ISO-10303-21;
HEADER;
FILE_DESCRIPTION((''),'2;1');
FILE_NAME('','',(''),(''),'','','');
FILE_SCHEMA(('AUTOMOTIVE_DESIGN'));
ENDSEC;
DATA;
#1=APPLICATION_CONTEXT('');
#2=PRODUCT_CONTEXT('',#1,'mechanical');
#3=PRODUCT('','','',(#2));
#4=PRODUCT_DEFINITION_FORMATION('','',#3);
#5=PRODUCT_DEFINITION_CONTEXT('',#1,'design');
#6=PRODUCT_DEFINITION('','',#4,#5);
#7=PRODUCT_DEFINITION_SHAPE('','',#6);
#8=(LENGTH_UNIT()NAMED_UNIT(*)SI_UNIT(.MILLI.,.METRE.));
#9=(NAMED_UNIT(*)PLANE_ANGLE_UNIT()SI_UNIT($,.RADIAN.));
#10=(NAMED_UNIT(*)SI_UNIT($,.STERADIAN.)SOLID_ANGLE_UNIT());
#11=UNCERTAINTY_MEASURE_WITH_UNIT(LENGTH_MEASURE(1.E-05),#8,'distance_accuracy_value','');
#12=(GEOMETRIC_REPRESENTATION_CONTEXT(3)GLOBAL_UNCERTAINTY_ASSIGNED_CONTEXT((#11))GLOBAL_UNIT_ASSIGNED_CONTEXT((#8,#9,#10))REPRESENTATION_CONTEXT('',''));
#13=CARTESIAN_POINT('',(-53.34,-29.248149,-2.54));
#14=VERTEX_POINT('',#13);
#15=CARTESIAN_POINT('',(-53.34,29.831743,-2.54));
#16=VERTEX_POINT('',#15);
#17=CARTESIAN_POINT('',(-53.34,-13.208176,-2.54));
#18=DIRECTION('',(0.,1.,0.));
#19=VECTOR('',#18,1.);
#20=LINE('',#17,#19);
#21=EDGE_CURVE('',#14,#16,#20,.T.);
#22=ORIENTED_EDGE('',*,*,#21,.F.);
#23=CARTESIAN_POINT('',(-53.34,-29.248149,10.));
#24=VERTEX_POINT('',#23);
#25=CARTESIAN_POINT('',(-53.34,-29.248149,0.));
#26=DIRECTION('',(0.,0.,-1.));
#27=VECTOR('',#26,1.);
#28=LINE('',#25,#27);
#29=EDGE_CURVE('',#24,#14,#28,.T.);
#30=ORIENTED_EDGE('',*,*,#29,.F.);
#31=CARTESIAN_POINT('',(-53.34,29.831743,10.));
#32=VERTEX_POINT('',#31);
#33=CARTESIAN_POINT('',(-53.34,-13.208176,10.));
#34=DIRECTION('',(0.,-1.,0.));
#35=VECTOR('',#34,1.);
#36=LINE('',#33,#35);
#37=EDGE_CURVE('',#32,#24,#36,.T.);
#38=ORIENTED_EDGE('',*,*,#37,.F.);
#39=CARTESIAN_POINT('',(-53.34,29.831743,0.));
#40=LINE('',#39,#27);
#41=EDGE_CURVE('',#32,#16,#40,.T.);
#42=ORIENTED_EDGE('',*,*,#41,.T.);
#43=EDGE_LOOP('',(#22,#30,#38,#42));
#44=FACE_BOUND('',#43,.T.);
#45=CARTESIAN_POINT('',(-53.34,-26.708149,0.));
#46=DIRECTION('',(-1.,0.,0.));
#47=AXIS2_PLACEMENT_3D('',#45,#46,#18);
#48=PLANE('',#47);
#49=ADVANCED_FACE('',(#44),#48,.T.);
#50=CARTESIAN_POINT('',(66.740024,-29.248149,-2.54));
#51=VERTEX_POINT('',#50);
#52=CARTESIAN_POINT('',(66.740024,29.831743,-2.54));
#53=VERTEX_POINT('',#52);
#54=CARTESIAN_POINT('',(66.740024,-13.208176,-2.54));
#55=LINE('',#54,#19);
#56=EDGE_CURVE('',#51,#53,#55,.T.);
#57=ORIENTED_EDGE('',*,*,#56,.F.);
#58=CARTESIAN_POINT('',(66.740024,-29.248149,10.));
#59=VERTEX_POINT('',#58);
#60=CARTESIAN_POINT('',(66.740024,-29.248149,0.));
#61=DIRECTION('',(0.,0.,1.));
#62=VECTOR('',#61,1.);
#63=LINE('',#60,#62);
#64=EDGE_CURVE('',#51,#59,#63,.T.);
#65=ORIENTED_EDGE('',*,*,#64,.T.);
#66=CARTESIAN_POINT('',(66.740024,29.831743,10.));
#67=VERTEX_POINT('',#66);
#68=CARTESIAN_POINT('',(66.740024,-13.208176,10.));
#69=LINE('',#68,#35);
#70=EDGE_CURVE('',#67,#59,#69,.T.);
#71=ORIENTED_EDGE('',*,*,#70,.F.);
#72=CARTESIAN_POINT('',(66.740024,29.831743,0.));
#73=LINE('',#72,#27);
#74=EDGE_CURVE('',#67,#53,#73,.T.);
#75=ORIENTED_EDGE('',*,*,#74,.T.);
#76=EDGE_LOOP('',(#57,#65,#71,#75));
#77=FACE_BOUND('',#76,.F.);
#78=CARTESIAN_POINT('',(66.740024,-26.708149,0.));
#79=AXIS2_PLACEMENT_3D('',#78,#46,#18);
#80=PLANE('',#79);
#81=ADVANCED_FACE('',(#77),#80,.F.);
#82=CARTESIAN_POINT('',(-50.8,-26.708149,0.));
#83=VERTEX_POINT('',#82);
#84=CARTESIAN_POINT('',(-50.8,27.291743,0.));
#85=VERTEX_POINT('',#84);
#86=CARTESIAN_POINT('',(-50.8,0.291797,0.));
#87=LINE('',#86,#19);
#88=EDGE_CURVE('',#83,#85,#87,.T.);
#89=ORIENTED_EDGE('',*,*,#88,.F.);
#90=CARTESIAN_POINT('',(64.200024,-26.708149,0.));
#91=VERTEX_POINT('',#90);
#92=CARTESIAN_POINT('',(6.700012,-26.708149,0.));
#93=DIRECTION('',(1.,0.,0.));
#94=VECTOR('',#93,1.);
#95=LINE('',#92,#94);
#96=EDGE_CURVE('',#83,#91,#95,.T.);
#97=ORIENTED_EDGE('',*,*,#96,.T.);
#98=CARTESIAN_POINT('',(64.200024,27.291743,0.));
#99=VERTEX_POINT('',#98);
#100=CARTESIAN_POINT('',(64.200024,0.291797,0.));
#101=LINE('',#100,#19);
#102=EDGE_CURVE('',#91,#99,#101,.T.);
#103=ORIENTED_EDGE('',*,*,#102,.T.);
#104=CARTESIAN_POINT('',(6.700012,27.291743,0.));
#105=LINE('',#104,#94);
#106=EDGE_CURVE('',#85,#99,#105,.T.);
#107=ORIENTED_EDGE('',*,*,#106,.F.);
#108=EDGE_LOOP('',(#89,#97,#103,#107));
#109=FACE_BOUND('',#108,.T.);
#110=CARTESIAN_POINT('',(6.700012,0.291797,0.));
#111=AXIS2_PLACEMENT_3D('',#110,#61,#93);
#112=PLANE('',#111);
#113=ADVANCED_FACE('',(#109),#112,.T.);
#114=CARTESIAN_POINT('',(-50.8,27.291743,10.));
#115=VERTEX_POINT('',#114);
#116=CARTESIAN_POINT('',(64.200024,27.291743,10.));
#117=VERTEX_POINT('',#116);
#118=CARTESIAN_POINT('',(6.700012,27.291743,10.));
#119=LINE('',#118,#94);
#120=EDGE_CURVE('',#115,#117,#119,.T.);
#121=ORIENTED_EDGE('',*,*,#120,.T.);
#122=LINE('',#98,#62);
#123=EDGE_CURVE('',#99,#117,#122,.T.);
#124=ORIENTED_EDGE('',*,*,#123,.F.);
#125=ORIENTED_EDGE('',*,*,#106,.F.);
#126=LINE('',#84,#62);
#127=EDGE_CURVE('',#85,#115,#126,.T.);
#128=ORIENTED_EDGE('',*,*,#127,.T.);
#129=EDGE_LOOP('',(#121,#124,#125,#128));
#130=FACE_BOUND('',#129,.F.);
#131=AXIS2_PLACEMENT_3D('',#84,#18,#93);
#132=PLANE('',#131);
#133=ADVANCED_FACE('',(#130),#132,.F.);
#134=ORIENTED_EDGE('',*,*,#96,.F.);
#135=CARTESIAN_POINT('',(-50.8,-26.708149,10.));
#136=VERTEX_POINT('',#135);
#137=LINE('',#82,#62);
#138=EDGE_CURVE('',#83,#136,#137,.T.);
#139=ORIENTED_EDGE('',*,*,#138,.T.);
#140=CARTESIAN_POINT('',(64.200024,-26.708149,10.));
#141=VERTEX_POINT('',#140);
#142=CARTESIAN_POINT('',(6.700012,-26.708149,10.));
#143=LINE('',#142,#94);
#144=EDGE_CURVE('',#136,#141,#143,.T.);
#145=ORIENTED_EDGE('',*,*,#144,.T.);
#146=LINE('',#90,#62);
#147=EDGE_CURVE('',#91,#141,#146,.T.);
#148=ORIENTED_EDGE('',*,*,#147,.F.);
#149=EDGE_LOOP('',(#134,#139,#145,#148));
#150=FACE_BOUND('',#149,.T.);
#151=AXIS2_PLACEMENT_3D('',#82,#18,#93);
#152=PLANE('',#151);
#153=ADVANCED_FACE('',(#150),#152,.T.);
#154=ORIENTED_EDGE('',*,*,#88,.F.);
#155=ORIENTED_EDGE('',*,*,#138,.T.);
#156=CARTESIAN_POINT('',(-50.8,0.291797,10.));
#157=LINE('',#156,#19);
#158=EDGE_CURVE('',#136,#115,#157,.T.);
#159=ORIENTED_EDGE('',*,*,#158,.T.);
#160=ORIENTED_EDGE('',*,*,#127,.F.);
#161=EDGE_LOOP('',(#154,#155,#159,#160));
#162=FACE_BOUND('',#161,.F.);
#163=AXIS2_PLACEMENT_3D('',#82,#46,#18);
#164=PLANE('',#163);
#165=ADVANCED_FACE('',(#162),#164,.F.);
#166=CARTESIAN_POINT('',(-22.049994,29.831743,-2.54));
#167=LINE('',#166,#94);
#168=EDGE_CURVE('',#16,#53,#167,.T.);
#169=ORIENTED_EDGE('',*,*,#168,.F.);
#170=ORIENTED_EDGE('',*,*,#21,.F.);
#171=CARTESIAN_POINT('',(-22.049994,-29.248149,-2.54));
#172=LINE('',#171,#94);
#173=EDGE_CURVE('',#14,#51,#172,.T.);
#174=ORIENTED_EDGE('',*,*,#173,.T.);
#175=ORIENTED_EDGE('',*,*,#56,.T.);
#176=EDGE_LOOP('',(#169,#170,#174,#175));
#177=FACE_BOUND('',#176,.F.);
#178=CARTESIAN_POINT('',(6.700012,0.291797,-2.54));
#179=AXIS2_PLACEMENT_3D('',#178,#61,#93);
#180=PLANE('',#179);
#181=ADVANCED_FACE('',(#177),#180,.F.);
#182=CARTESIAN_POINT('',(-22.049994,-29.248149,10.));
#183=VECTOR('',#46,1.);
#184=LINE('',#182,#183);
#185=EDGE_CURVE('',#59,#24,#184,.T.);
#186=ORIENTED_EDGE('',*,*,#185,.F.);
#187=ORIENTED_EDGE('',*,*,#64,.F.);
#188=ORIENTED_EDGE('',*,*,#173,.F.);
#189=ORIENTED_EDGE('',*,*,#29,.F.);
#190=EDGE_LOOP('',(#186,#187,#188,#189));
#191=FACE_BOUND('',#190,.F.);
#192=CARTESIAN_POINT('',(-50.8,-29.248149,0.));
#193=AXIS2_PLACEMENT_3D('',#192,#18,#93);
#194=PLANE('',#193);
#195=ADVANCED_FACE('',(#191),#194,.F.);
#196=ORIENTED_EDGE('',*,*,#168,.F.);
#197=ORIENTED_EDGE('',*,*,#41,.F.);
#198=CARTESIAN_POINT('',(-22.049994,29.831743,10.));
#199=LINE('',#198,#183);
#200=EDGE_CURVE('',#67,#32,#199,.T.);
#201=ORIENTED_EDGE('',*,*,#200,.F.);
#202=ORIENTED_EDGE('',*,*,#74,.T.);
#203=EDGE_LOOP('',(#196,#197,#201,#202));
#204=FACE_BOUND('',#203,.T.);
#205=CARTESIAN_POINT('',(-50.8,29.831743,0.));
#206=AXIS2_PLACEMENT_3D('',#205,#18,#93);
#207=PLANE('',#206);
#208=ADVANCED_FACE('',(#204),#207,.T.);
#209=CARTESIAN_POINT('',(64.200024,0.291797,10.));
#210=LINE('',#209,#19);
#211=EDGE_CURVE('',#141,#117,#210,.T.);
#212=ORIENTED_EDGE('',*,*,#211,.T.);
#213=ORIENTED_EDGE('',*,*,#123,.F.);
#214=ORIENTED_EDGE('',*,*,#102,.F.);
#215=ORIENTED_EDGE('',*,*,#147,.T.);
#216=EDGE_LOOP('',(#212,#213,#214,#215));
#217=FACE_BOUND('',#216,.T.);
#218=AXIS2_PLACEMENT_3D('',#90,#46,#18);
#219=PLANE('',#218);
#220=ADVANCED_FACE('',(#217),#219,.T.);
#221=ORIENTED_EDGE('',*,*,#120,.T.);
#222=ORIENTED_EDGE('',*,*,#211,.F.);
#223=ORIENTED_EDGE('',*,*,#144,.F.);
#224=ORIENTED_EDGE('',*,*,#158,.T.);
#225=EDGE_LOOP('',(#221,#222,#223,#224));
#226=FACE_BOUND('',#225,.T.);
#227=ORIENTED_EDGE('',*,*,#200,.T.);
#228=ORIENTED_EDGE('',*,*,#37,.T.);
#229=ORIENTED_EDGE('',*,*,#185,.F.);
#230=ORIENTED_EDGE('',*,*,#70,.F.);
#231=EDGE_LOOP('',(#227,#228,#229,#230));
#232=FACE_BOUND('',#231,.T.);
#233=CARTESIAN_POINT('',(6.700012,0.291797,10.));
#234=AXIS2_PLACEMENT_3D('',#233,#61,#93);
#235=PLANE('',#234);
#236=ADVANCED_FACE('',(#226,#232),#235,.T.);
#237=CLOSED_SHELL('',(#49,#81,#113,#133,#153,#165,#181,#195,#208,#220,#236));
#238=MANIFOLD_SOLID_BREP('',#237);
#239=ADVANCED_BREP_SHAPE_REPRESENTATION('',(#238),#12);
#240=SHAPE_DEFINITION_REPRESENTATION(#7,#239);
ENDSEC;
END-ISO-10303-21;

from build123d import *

# Parameters (mm, degrees)
F0_W     = 115.000024
F0_H     = 53.999892
F1_DEPTH = 10
F2_T     = 2.54


with BuildPart() as f1:
    # F0 (on Top) → F1 (new body)
    with BuildSketch(Plane.XY):
        with Locations((6.700012, 0.2917969662)):
            Rectangle(F0_W, F0_H)
    extrude(amount=F1_DEPTH)

    # F2
    f2_openings = [f1.faces().sort_by_distance(p)[0] for p in [
        (6.700012, 0.291797, 10),
    ]]
    offset(amount=F2_T, openings=f2_openings, kind=Kind.INTERSECTION)


solid = f1.part
